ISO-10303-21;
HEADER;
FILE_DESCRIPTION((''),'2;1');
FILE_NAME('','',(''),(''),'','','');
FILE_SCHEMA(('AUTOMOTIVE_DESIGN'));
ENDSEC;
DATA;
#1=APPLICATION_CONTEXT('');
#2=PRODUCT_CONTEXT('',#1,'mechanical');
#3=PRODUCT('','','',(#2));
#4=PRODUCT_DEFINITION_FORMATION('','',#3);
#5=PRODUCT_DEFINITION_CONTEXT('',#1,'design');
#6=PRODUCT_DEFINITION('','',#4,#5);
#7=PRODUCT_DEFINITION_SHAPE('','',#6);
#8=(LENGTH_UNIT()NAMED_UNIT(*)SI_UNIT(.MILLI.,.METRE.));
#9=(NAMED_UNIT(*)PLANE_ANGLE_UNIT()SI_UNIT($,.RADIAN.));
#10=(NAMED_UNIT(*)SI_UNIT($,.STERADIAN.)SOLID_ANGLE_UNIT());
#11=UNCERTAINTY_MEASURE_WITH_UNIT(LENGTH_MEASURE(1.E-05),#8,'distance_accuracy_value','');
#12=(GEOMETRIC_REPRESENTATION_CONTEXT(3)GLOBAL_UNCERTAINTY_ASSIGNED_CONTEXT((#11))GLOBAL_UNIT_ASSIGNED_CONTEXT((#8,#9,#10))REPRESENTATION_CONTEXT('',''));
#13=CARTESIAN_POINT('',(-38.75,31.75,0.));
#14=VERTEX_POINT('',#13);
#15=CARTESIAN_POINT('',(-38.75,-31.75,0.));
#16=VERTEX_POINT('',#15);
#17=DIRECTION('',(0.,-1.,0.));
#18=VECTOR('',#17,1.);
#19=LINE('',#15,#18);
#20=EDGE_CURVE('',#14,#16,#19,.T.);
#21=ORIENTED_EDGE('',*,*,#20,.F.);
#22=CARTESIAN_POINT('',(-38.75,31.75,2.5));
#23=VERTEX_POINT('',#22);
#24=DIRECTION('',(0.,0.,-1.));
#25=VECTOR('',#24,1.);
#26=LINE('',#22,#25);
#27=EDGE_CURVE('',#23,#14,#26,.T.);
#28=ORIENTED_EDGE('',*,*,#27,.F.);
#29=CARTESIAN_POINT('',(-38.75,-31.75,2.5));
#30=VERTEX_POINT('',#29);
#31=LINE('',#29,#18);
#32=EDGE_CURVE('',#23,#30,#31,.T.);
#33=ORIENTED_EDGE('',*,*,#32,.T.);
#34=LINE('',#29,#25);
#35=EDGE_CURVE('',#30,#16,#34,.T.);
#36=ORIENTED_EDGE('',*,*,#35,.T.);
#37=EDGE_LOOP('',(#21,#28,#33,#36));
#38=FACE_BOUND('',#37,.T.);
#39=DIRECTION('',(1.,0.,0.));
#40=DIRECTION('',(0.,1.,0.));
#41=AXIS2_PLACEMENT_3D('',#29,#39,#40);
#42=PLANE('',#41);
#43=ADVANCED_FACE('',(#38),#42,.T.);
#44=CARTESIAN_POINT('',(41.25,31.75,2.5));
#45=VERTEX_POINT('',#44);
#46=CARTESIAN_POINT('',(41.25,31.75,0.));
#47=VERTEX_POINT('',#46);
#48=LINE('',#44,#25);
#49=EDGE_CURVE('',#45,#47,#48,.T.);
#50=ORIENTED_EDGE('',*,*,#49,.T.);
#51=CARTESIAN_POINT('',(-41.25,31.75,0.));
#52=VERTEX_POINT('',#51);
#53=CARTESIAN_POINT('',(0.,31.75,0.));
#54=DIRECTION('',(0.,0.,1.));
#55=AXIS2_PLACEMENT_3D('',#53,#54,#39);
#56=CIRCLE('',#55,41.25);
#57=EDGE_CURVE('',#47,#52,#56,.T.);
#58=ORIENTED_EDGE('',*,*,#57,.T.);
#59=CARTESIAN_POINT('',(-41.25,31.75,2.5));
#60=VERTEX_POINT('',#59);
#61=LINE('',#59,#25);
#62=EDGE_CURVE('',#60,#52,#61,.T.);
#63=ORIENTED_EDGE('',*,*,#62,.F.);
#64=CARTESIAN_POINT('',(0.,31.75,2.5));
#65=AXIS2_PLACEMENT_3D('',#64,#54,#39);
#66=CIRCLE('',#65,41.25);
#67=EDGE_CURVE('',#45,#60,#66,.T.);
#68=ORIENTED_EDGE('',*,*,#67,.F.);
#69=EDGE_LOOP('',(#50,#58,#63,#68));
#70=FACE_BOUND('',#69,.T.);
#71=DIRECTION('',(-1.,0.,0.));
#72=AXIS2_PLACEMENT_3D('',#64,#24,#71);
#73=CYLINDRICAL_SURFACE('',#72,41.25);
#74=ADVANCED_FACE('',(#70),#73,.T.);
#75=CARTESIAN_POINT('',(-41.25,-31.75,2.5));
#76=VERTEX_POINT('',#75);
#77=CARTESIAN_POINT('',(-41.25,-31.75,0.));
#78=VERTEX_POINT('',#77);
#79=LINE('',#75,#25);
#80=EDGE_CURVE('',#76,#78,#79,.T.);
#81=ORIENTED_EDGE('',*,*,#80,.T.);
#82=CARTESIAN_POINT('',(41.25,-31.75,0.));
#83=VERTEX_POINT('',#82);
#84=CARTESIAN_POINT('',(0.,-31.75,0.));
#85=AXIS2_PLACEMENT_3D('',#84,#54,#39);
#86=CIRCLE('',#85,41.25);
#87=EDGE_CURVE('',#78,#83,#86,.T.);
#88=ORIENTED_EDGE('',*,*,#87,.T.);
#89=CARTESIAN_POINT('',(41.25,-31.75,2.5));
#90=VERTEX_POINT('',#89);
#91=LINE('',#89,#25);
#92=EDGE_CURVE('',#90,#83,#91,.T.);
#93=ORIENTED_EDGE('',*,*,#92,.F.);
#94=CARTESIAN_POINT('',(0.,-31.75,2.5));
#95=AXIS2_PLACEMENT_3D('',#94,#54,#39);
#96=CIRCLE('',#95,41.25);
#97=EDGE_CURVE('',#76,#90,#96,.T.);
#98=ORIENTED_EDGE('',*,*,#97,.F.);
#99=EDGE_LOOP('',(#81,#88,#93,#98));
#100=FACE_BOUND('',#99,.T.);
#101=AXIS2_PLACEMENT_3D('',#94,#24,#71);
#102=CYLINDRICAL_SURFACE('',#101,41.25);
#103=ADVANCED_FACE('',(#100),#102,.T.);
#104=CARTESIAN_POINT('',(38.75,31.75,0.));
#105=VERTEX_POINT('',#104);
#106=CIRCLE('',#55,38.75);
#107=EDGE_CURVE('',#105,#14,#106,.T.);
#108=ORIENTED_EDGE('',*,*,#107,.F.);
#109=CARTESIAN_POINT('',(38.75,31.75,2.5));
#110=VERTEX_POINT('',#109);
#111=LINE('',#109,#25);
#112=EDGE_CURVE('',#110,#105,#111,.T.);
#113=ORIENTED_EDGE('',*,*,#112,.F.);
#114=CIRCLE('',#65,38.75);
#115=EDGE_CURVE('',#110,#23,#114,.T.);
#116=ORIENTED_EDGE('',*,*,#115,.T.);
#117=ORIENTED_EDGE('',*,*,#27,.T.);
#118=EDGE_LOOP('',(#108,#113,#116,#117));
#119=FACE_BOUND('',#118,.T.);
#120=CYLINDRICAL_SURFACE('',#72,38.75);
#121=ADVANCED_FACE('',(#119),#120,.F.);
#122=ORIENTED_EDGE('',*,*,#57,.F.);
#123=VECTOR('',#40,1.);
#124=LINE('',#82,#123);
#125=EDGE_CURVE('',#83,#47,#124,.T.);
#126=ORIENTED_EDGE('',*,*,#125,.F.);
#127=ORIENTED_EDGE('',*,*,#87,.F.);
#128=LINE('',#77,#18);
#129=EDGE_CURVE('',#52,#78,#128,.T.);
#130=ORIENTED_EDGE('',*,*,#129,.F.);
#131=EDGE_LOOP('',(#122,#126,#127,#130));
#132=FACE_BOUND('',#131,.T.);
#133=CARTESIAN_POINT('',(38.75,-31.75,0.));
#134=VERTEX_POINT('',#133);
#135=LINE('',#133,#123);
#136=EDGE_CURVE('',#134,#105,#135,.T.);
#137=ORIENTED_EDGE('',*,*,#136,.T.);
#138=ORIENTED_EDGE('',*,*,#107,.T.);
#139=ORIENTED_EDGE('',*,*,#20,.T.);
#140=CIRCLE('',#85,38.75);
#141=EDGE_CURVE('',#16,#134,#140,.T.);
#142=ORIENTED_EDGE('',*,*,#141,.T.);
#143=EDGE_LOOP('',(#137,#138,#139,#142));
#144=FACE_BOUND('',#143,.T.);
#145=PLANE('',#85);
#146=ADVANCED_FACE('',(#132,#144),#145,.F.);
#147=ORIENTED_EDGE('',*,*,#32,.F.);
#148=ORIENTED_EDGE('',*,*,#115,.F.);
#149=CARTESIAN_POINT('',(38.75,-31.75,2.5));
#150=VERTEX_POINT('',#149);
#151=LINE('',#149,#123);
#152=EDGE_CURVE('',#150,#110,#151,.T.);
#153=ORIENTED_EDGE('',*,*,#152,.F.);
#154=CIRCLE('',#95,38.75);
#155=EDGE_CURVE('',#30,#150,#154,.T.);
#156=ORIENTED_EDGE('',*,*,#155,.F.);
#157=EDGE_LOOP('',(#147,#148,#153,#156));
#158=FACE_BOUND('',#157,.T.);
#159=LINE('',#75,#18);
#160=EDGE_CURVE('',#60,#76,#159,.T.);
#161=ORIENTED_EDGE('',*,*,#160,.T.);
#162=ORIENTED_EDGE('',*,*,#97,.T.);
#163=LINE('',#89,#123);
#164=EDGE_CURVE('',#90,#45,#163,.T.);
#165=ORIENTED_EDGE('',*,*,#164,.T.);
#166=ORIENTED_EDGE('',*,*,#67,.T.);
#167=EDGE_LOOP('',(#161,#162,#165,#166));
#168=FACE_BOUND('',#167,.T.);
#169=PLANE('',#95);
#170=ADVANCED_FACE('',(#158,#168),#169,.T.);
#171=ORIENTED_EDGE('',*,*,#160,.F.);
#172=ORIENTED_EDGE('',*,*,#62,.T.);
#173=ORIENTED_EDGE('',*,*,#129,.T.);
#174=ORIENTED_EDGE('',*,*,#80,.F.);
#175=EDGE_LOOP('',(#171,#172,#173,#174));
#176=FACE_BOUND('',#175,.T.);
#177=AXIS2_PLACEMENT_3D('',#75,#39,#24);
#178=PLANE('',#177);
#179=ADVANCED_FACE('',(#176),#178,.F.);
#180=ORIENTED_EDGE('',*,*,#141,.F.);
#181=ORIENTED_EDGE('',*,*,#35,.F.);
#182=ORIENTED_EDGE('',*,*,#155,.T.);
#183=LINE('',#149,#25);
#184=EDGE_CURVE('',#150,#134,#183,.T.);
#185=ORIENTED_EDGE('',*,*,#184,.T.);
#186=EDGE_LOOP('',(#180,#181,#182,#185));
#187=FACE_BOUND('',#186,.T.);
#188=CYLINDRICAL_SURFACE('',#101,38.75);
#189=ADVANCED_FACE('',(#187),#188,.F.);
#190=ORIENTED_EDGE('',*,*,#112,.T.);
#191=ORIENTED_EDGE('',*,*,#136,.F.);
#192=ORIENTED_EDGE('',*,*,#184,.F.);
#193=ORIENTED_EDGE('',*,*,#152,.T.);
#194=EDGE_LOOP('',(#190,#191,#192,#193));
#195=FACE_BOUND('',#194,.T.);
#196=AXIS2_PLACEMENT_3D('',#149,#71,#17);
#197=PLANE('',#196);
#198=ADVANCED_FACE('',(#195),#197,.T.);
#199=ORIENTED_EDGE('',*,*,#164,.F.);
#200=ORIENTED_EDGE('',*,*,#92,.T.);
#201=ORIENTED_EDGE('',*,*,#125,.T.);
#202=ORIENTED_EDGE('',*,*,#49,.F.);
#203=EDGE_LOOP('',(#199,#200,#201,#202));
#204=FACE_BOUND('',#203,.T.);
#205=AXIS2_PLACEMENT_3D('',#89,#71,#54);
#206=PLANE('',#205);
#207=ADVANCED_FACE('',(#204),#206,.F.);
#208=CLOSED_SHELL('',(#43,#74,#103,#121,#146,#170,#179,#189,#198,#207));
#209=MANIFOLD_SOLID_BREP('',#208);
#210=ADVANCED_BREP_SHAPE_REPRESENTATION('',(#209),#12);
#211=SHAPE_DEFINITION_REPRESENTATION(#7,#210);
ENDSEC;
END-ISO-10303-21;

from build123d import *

# Parameters (mm, degrees)
BOSS_EXTRUDE1_DEPTH = 2.5


with BuildPart() as part:
    # Sketch1 → Boss-Extrude1 (new body)
    with BuildSketch(Plane.XY):
        with BuildLine():
            Line((-41.25, -31.75), (-41.25, 31.75))
            ThreePointArc((-41.25, 31.75), (0, 73), (41.25, 31.75))
            Line((41.25, 31.75), (41.25, -31.75))
            ThreePointArc((41.25, -31.75), (0, -73), (-41.25, -31.75))
        make_face()
        with BuildLine():
            Line((-38.75, -31.75), (-38.75, 31.75))
            ThreePointArc((-38.75, 31.75), (0, 70.5), (38.75, 31.75))
            Line((38.75, 31.75), (38.75, -31.75))
            ThreePointArc((38.75, -31.75), (0, -70.5), (-38.75, -31.75))
        make_face(mode=Mode.SUBTRACT)
    extrude(amount=BOSS_EXTRUDE1_DEPTH)


solid = part.part
